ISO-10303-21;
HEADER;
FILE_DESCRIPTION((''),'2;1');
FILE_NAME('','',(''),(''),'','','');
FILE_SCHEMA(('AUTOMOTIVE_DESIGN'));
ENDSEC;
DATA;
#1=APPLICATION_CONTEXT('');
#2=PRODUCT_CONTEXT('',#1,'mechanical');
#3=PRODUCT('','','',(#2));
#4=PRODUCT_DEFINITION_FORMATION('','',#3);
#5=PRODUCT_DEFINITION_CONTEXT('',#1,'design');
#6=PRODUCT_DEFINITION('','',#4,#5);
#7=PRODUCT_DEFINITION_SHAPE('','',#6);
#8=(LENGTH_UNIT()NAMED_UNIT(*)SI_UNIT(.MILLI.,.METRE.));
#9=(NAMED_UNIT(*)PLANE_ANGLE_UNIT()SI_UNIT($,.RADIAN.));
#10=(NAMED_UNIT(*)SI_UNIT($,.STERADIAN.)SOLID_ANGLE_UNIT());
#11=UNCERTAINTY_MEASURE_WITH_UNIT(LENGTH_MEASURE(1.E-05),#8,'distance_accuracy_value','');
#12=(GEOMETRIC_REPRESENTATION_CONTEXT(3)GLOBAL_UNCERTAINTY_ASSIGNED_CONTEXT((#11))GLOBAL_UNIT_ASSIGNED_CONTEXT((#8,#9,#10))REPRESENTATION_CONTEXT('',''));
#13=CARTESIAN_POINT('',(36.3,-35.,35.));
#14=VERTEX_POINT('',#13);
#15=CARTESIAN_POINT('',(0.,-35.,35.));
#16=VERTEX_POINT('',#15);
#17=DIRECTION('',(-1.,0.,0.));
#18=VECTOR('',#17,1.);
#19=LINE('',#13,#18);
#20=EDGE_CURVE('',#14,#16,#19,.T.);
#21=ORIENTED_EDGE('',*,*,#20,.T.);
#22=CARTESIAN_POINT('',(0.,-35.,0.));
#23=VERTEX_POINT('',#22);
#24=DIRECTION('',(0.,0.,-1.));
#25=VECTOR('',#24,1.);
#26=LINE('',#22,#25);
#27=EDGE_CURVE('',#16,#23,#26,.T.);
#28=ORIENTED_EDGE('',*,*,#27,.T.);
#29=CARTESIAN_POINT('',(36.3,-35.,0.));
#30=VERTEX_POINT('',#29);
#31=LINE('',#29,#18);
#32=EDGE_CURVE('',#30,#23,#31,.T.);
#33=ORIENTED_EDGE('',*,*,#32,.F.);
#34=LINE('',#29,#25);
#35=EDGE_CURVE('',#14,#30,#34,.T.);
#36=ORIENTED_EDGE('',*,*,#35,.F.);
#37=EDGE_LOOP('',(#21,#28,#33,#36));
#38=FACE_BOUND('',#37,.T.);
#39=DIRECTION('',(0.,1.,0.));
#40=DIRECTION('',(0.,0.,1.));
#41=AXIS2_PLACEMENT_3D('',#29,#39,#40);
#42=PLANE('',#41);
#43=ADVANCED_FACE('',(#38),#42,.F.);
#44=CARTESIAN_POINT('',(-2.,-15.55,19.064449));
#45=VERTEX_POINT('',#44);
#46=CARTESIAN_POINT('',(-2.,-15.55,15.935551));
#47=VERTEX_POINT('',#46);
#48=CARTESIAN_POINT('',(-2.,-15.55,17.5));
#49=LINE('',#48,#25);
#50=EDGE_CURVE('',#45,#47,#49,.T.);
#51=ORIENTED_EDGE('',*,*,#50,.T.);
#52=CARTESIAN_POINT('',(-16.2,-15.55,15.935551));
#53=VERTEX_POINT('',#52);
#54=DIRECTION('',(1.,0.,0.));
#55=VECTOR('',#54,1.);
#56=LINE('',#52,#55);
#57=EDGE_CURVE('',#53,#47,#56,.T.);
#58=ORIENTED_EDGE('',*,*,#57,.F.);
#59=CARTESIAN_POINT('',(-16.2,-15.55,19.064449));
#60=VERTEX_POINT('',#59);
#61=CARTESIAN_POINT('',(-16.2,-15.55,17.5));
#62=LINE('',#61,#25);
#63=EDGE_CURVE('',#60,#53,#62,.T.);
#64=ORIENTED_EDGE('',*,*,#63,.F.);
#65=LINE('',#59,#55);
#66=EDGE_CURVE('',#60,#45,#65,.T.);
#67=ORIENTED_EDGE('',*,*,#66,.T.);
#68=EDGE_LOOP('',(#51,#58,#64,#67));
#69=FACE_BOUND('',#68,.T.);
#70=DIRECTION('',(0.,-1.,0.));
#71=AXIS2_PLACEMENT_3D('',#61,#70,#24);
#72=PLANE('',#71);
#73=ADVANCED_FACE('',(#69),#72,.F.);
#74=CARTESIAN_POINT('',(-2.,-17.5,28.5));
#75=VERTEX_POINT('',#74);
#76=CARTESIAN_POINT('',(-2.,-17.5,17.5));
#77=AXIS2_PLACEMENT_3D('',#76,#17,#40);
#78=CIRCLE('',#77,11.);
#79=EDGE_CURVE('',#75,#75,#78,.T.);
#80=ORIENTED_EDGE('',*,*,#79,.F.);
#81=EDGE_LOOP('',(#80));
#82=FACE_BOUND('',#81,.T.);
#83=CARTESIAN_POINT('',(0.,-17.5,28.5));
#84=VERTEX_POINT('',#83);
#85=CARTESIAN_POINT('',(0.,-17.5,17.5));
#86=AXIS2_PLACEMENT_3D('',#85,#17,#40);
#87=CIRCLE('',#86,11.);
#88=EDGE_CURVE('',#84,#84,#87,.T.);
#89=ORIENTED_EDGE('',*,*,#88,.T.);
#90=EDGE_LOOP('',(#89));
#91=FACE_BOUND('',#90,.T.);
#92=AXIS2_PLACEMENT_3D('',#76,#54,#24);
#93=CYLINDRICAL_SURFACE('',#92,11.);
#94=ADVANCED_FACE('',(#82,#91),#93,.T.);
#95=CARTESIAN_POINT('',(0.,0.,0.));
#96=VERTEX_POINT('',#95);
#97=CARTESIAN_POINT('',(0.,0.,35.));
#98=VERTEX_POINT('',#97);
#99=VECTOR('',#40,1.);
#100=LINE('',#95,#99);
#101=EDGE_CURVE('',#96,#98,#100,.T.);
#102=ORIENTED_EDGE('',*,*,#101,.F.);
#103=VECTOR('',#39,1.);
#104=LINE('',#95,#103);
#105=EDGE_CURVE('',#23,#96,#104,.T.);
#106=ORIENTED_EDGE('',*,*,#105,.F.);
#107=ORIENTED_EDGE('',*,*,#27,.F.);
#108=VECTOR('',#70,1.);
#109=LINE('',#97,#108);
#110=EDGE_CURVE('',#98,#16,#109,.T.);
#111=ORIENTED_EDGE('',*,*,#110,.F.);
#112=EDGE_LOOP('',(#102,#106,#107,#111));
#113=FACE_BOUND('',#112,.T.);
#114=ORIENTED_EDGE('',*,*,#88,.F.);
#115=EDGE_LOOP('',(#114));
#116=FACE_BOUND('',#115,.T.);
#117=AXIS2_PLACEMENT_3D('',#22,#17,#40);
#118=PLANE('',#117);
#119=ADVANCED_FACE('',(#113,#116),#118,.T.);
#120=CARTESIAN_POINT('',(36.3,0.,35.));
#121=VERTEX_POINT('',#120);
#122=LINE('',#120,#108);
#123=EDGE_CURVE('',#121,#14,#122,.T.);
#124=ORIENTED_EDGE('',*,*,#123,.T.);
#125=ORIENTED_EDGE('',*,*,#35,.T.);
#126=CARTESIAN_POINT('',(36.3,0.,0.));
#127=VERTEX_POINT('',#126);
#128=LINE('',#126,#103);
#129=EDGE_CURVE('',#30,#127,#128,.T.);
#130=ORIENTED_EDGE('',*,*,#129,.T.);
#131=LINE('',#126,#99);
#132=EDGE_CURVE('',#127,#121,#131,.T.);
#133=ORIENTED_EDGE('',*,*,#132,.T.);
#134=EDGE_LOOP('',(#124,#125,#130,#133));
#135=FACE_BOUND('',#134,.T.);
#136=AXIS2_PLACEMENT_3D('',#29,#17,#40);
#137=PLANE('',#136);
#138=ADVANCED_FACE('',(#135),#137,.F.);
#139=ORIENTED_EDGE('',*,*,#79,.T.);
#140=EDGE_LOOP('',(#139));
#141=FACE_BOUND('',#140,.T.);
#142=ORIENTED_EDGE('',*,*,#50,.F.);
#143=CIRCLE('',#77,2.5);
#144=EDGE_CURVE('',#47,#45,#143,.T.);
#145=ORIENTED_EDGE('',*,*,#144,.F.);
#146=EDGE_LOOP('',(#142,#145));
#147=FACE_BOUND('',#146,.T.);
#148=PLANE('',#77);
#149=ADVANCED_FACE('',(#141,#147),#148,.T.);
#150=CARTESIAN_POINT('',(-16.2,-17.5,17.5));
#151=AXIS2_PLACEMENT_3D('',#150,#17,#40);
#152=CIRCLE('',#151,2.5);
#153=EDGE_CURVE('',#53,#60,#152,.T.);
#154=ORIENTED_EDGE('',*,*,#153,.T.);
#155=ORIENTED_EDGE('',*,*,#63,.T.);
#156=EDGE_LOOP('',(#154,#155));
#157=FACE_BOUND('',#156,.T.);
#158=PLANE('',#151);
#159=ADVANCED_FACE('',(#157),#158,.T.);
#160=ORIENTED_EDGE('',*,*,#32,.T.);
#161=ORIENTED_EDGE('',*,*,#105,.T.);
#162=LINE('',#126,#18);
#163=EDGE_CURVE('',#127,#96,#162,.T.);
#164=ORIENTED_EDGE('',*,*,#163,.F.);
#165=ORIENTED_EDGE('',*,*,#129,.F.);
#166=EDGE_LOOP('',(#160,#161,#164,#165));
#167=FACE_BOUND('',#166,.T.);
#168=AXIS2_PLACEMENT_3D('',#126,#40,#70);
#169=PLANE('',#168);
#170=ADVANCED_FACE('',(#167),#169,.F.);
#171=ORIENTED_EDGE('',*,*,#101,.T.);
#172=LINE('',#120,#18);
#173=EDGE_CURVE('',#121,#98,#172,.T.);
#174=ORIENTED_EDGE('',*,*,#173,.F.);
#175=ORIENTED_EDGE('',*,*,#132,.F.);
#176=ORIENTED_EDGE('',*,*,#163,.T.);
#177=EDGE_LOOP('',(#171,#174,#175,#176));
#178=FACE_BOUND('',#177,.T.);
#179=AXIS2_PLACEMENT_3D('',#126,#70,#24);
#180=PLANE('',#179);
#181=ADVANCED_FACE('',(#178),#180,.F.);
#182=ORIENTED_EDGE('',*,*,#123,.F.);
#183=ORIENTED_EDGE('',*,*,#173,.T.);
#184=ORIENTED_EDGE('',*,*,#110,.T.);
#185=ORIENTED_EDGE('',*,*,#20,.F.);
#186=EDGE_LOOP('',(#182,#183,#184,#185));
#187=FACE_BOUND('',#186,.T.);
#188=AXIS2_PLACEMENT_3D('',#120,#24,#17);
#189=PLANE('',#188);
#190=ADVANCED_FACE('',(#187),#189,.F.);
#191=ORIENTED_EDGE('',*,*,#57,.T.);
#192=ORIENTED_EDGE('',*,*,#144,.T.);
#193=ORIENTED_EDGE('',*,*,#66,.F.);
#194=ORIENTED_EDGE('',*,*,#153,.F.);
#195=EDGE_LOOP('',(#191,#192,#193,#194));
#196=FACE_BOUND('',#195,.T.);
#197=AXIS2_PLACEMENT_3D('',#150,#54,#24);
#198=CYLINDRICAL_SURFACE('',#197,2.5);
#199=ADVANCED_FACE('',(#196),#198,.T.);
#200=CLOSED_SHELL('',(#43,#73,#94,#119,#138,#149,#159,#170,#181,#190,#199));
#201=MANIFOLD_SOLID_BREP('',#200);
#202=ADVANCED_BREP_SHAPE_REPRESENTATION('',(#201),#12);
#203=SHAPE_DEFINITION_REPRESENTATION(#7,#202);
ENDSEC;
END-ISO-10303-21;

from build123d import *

# Parameters (mm, degrees)
SKETCH1_W           = 35
SKETCH1_H           = 35
BOSS_EXTRUDE1_DEPTH = 36.3
SKETCH2_R           = 11
BOSS_EXTRUDE2_DEPTH = 2
BOSS_EXTRUDE4_DEPTH = 14.2


with BuildPart() as part:
    # Sketch1 → Boss-Extrude1 (new body)
    with BuildSketch(Plane(origin=(0, 0, 0), x_dir=(0, 0, -1), z_dir=(1, 0, 0))):
        with Locations((-17.5, -17.5)):
            Rectangle(SKETCH1_W, SKETCH1_H)
    extrude(amount=BOSS_EXTRUDE1_DEPTH)

    # Sketch2 → Boss-Extrude2 (add)
    with BuildSketch(Plane.ZY):
        with Locations((17.5, -17.5)):
            Circle(SKETCH2_R)
    extrude(amount=BOSS_EXTRUDE2_DEPTH)

    # Sketch3 → Boss-Extrude4 (add)
    with BuildSketch(Plane.ZY.offset(2)):
        with BuildLine():
            Line((17.5, -15.55), (19.064448785, -15.55))
            ThreePointArc((19.064448785, -15.55), (17.5, -20), (15.935551215, -15.55))
            Line((15.935551215, -15.55), (17.5, -15.55))
        make_face()
    extrude(amount=BOSS_EXTRUDE4_DEPTH)


solid = part.part
